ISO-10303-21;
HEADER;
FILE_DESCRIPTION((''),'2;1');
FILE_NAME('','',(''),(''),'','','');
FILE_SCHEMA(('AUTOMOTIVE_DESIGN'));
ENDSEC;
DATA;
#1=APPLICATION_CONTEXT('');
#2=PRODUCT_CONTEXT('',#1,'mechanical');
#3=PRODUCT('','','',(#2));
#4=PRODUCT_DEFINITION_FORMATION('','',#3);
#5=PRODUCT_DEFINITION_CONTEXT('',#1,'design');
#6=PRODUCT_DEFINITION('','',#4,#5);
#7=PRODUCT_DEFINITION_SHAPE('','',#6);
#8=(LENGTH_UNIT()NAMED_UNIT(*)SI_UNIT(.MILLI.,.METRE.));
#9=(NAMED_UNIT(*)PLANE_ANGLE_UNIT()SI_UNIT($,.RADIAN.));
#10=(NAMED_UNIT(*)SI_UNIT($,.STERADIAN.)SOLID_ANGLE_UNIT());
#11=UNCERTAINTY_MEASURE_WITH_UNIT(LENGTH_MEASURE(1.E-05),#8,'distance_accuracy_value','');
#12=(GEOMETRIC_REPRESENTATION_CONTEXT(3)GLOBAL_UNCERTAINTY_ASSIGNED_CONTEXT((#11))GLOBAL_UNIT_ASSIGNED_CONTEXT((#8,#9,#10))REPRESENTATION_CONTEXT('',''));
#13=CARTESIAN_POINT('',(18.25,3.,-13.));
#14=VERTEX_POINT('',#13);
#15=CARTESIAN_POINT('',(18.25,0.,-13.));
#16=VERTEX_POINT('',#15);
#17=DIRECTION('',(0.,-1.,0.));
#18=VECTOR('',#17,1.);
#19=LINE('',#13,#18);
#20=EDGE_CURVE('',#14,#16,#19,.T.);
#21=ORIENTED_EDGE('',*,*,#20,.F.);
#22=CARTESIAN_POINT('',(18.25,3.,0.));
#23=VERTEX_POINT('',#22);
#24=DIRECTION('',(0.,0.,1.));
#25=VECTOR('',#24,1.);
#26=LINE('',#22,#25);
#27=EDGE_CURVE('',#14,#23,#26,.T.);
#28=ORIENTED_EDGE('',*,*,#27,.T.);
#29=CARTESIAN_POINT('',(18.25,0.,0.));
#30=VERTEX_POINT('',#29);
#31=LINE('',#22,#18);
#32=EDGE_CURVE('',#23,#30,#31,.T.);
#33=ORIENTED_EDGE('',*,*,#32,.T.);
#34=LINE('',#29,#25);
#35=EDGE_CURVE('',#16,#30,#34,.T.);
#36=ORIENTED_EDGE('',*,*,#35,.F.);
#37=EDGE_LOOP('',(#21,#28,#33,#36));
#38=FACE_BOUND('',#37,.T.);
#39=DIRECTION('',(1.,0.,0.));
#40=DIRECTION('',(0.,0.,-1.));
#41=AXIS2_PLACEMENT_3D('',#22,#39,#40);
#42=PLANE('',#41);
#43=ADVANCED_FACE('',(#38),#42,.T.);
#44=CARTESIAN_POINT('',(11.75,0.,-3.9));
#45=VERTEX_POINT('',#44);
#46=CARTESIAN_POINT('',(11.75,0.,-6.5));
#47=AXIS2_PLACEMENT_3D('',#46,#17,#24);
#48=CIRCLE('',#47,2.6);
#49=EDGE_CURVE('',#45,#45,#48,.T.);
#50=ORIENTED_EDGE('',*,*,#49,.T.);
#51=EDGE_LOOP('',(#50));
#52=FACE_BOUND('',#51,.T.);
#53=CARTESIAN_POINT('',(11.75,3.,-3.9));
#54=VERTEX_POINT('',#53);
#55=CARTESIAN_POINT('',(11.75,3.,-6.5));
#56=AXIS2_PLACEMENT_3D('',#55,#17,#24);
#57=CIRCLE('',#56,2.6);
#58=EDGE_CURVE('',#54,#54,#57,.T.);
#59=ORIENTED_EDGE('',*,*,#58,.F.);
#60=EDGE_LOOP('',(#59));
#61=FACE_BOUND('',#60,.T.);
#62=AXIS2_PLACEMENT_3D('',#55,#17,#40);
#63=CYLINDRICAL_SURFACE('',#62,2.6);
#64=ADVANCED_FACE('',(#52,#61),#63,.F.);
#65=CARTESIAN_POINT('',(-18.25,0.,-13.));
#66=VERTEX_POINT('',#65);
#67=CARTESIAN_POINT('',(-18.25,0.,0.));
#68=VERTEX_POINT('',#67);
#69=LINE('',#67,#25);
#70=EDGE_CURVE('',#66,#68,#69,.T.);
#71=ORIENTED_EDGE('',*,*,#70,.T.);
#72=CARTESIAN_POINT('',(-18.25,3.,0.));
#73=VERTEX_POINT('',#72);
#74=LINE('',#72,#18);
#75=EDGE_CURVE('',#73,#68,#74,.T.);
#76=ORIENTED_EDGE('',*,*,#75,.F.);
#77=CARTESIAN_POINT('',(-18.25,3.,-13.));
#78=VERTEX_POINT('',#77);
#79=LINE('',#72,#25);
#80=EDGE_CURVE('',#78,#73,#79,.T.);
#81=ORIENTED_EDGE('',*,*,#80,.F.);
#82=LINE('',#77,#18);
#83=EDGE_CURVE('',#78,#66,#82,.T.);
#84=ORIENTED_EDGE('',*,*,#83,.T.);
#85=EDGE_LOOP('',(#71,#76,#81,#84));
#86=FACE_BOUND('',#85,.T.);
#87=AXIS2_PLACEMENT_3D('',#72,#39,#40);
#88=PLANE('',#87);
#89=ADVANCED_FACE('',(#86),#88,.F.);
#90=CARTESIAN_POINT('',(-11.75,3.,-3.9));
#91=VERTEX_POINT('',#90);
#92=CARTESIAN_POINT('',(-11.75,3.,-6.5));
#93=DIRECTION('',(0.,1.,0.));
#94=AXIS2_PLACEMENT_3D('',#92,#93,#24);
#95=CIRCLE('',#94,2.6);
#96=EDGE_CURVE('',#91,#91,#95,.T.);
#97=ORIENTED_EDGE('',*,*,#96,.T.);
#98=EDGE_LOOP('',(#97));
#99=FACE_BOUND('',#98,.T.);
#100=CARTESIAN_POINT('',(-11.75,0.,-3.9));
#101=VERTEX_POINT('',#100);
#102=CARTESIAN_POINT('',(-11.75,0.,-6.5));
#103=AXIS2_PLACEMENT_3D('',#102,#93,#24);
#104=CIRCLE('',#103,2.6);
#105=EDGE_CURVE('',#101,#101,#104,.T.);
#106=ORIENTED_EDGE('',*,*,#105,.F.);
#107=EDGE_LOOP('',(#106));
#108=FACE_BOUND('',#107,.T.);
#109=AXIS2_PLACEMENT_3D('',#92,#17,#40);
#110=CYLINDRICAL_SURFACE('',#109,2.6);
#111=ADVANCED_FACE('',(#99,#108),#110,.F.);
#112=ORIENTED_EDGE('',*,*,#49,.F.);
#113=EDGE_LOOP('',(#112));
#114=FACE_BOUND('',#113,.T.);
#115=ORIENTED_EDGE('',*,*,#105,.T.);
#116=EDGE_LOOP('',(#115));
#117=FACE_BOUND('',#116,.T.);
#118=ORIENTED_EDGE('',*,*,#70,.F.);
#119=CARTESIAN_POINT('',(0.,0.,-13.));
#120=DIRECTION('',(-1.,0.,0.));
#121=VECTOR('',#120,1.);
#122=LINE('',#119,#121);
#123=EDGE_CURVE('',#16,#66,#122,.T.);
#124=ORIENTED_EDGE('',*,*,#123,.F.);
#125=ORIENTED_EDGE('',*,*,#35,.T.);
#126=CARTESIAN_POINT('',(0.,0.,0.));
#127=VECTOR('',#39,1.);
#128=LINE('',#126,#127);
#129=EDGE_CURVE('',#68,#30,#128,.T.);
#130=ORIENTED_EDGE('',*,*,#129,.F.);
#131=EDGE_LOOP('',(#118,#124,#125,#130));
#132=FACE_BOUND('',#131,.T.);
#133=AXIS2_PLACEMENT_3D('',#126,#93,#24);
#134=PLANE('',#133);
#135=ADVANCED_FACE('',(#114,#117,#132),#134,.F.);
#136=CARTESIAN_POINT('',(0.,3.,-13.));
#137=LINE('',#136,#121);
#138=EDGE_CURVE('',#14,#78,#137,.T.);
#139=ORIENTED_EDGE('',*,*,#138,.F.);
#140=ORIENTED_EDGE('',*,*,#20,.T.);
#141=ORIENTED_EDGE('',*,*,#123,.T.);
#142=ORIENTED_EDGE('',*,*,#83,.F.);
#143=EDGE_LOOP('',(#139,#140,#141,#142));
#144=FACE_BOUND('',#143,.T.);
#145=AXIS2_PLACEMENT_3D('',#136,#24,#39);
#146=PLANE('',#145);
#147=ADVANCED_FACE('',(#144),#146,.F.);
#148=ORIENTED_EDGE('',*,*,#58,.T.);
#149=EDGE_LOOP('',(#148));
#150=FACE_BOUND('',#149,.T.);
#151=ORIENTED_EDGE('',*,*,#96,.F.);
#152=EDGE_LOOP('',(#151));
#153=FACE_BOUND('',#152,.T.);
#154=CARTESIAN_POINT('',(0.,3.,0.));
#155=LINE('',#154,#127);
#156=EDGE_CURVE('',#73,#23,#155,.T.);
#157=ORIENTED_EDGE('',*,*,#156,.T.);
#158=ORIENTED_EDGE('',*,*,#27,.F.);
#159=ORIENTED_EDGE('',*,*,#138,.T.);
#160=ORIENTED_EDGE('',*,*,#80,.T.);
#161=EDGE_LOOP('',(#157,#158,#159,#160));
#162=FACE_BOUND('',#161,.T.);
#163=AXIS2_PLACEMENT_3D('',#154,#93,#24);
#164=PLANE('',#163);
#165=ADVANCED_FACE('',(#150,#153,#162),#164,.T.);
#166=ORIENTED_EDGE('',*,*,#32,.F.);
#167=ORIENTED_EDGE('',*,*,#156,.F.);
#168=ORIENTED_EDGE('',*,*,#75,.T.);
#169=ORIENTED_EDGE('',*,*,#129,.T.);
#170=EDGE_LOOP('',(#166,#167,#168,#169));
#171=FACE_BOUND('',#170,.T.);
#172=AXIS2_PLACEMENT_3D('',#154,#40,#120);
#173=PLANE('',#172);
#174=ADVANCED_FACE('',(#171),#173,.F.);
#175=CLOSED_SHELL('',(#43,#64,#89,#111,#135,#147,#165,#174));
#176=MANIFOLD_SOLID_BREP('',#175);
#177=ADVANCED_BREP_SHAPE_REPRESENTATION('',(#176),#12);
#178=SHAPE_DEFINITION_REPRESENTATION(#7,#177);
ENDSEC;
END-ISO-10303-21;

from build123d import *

# Parameters (mm, degrees)
ESQUISSE1_W        = 18.25
ESQUISSE1_H        = 13
ESQUISSE1_R        = 2.6
BOSS_EXTRU_1_DEPTH = 3


with BuildPart() as part:
    # Esquisse1 → Boss.-Extru.1 (new body)
    with BuildSketch(Plane(origin=(0, 0, 0), x_dir=(1, 0, 0), z_dir=(0, 1, 0))):
        with Locations((-9.125, 6.5)):
            Rectangle(ESQUISSE1_W, ESQUISSE1_H)
        with Locations((-11.75, 6.5)):
            Circle(ESQUISSE1_R, mode=Mode.SUBTRACT)
    boss_extru_1 = extrude(amount=BOSS_EXTRU_1_DEPTH)

    # Symétrie1: Boss.-Extru.1 across plane
    add(boss_extru_1.mirror(Plane(origin=(0, 0, 0), x_dir=(0, 0, 1), z_dir=(1, 0, 0))))


solid = part.part
